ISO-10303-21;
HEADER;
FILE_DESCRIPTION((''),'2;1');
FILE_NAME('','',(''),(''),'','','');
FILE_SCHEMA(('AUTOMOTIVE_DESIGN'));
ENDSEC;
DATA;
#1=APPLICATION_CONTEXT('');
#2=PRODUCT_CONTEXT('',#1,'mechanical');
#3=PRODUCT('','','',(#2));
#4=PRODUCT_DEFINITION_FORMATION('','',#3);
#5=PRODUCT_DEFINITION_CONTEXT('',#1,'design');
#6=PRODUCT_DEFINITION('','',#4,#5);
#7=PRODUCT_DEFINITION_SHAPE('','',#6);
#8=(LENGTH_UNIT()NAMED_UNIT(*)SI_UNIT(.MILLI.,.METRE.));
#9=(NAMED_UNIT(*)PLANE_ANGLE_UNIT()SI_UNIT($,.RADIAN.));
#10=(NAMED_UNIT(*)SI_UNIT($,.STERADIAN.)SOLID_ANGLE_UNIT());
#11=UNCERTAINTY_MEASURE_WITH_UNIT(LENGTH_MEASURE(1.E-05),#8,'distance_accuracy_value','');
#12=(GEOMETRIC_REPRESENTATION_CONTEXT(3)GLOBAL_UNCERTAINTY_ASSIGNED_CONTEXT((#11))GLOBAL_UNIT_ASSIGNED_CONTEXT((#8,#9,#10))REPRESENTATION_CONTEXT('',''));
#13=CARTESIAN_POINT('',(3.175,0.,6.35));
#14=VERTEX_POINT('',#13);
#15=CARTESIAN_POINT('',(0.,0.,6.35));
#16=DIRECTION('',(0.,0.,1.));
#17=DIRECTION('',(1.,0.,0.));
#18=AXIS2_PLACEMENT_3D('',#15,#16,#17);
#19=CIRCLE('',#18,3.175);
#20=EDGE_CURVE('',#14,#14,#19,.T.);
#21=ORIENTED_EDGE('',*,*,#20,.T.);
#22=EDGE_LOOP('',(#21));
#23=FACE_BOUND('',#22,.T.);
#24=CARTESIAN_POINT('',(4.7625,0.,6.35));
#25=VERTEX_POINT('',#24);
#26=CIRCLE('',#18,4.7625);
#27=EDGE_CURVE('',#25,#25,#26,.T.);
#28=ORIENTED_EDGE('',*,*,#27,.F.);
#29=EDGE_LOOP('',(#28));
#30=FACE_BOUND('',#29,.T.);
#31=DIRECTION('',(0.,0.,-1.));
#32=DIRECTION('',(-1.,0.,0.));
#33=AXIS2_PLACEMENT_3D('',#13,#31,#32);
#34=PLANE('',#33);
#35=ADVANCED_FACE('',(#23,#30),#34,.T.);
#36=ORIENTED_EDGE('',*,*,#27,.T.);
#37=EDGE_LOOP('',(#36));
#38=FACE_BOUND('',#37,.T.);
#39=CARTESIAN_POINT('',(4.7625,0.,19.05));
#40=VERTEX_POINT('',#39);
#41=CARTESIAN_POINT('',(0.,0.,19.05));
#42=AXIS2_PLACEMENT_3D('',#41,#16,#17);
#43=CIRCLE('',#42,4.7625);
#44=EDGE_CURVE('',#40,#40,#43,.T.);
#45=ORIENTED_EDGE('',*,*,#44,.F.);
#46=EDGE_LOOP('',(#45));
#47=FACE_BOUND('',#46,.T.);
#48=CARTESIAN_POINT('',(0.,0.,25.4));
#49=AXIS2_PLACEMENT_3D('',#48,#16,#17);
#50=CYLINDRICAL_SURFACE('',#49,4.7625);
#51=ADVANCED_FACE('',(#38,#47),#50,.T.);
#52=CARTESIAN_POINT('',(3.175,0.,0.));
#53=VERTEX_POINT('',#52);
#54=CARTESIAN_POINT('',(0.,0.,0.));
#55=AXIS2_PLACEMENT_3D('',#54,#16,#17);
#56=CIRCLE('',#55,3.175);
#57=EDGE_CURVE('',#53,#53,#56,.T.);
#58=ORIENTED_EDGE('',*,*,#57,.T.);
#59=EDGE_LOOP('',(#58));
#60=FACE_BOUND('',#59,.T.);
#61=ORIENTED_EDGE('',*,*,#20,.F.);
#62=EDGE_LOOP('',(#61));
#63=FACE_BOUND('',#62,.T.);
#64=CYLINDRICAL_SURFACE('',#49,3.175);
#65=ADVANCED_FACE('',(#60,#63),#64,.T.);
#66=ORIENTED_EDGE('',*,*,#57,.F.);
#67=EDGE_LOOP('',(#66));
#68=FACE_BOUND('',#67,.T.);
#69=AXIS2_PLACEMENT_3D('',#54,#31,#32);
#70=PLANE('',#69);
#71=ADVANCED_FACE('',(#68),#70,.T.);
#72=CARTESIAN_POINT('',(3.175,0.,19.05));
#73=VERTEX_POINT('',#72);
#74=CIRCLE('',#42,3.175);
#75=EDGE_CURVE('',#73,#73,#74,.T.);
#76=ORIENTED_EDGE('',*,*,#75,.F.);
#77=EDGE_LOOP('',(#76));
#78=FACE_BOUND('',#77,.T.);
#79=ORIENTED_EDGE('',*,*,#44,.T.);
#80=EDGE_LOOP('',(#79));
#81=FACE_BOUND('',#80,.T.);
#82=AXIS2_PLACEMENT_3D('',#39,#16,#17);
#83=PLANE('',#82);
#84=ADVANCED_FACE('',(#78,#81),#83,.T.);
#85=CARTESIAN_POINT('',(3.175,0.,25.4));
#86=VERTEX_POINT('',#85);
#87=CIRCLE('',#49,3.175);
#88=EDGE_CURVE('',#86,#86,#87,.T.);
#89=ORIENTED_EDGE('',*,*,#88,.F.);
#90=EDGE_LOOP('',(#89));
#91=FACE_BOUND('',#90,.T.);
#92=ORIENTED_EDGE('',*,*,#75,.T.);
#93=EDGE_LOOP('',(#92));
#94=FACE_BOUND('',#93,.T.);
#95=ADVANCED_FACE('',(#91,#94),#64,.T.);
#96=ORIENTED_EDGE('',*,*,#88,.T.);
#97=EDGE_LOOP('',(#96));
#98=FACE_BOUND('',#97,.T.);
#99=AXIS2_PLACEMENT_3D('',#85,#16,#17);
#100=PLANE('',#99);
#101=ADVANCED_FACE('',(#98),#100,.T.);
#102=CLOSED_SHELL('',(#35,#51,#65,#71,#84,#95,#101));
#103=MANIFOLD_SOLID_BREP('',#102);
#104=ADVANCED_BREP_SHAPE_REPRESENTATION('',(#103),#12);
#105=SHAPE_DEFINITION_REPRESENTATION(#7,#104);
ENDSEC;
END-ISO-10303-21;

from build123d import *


with BuildPart() as part:
    # Sketch1 → Revolve1 (revolve)
    with BuildSketch(Plane(origin=(0, 0, 0), x_dir=(1, 0, 0), z_dir=(0, 1, 0))):
        Polygon((0, 0), (3.175, 0), (3.175, -6.35), (4.7625, -6.35), (4.7625, -19.05), (3.175, -19.05), (3.175, -25.4), (0, -25.4), align=None)
    revolve(axis=Axis((0, 0, 25.4), (0, 0, -1)))


solid = part.part
